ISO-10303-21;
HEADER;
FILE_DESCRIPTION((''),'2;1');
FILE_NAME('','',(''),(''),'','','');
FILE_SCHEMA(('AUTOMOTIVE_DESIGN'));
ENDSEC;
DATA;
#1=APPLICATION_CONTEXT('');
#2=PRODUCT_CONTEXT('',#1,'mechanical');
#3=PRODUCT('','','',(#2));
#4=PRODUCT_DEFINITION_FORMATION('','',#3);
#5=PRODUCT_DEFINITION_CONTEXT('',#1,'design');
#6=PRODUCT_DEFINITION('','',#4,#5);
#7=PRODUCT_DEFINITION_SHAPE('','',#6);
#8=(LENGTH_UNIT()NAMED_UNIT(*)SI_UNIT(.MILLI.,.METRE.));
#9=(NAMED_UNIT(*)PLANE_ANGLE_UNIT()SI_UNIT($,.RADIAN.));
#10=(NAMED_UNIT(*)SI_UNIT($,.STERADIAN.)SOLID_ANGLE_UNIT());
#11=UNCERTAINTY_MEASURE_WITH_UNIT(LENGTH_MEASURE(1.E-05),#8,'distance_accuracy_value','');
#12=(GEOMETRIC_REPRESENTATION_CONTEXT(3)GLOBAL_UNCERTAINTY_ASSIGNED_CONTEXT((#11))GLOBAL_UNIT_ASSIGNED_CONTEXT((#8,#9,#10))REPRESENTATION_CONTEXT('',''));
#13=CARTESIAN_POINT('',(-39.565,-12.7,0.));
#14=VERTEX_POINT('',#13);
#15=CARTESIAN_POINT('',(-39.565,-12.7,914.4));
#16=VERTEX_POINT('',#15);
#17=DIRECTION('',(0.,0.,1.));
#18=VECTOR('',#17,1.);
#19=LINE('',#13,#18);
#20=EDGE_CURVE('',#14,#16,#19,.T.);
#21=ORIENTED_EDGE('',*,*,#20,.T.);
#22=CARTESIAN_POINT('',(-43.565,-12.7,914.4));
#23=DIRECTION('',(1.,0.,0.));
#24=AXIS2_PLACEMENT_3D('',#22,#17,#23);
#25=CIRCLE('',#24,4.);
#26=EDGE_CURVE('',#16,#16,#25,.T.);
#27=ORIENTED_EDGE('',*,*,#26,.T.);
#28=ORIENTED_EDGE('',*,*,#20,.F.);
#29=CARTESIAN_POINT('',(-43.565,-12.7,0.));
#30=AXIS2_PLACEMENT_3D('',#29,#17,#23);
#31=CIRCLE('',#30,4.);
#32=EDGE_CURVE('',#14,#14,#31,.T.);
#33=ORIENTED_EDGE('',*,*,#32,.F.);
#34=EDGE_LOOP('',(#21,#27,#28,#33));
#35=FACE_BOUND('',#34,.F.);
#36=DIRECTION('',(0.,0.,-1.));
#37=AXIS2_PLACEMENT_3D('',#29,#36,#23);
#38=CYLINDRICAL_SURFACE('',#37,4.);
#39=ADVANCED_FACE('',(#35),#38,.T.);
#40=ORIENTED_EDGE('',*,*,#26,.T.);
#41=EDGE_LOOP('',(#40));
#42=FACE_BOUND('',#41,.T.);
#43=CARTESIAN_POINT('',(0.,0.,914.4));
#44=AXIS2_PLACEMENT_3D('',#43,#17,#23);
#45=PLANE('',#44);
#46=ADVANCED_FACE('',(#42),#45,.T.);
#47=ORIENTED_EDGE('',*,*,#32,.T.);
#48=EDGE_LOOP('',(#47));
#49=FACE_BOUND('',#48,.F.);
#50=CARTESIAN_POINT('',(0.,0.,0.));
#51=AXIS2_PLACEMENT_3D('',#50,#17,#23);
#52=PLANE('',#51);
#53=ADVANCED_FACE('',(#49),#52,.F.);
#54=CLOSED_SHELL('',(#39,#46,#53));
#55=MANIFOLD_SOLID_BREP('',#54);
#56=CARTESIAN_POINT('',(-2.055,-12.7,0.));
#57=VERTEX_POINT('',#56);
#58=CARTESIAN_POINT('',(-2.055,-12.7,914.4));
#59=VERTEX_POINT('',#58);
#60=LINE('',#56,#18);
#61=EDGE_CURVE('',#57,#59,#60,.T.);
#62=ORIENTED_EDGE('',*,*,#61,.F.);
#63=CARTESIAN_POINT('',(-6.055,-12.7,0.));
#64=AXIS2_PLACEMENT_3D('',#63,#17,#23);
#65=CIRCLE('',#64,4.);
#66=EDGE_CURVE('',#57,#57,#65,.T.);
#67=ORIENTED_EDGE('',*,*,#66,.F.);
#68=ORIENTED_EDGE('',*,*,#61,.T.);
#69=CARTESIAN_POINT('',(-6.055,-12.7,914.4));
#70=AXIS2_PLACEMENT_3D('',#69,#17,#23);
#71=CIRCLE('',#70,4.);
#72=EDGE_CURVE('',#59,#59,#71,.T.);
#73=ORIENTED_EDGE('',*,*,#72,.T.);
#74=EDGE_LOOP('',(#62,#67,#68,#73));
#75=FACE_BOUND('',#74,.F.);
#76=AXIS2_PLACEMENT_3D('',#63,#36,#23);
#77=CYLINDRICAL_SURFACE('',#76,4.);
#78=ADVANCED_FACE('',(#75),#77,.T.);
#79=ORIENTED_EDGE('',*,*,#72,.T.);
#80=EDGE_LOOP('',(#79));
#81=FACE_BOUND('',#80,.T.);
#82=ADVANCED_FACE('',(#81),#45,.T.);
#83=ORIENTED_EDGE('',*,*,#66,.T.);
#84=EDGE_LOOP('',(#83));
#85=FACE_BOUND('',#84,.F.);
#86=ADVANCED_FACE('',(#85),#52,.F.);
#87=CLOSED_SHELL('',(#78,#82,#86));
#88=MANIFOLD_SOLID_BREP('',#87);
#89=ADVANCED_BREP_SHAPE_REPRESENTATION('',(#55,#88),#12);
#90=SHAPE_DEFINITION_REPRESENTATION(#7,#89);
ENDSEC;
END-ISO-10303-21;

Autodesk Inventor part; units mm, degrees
ref_plane "YZ Plane" through (0, 0, 0) normal (1, 0, 0) x (0, 1, 0)
ref_plane "XZ Plane" through (0, 0, 0) normal (0, 1, 0) x (-1, 0, 0)
ref_plane "XY Plane" through (0, 0, 0) normal (0, 0, 1) x (1, 0, 0)
ref_plane "Work Plane1" through (0, 0, 0) normal (0, 0, 1) x (1, 0, 0)
sketch "Sketch1" plane through (0, 0, 0) normal (0, 0, 1) x (1, 0, 0)
  circle A0 centre (-6.055, -12.7) radius 4 projected
  circle A1 centre (-43.565, -12.7) radius 4 projected
  point P0 (0, 0)
extrude "Extrusion1" add sketch "Sketch1" along normal blind 914.4
properties part number "Xrails"
